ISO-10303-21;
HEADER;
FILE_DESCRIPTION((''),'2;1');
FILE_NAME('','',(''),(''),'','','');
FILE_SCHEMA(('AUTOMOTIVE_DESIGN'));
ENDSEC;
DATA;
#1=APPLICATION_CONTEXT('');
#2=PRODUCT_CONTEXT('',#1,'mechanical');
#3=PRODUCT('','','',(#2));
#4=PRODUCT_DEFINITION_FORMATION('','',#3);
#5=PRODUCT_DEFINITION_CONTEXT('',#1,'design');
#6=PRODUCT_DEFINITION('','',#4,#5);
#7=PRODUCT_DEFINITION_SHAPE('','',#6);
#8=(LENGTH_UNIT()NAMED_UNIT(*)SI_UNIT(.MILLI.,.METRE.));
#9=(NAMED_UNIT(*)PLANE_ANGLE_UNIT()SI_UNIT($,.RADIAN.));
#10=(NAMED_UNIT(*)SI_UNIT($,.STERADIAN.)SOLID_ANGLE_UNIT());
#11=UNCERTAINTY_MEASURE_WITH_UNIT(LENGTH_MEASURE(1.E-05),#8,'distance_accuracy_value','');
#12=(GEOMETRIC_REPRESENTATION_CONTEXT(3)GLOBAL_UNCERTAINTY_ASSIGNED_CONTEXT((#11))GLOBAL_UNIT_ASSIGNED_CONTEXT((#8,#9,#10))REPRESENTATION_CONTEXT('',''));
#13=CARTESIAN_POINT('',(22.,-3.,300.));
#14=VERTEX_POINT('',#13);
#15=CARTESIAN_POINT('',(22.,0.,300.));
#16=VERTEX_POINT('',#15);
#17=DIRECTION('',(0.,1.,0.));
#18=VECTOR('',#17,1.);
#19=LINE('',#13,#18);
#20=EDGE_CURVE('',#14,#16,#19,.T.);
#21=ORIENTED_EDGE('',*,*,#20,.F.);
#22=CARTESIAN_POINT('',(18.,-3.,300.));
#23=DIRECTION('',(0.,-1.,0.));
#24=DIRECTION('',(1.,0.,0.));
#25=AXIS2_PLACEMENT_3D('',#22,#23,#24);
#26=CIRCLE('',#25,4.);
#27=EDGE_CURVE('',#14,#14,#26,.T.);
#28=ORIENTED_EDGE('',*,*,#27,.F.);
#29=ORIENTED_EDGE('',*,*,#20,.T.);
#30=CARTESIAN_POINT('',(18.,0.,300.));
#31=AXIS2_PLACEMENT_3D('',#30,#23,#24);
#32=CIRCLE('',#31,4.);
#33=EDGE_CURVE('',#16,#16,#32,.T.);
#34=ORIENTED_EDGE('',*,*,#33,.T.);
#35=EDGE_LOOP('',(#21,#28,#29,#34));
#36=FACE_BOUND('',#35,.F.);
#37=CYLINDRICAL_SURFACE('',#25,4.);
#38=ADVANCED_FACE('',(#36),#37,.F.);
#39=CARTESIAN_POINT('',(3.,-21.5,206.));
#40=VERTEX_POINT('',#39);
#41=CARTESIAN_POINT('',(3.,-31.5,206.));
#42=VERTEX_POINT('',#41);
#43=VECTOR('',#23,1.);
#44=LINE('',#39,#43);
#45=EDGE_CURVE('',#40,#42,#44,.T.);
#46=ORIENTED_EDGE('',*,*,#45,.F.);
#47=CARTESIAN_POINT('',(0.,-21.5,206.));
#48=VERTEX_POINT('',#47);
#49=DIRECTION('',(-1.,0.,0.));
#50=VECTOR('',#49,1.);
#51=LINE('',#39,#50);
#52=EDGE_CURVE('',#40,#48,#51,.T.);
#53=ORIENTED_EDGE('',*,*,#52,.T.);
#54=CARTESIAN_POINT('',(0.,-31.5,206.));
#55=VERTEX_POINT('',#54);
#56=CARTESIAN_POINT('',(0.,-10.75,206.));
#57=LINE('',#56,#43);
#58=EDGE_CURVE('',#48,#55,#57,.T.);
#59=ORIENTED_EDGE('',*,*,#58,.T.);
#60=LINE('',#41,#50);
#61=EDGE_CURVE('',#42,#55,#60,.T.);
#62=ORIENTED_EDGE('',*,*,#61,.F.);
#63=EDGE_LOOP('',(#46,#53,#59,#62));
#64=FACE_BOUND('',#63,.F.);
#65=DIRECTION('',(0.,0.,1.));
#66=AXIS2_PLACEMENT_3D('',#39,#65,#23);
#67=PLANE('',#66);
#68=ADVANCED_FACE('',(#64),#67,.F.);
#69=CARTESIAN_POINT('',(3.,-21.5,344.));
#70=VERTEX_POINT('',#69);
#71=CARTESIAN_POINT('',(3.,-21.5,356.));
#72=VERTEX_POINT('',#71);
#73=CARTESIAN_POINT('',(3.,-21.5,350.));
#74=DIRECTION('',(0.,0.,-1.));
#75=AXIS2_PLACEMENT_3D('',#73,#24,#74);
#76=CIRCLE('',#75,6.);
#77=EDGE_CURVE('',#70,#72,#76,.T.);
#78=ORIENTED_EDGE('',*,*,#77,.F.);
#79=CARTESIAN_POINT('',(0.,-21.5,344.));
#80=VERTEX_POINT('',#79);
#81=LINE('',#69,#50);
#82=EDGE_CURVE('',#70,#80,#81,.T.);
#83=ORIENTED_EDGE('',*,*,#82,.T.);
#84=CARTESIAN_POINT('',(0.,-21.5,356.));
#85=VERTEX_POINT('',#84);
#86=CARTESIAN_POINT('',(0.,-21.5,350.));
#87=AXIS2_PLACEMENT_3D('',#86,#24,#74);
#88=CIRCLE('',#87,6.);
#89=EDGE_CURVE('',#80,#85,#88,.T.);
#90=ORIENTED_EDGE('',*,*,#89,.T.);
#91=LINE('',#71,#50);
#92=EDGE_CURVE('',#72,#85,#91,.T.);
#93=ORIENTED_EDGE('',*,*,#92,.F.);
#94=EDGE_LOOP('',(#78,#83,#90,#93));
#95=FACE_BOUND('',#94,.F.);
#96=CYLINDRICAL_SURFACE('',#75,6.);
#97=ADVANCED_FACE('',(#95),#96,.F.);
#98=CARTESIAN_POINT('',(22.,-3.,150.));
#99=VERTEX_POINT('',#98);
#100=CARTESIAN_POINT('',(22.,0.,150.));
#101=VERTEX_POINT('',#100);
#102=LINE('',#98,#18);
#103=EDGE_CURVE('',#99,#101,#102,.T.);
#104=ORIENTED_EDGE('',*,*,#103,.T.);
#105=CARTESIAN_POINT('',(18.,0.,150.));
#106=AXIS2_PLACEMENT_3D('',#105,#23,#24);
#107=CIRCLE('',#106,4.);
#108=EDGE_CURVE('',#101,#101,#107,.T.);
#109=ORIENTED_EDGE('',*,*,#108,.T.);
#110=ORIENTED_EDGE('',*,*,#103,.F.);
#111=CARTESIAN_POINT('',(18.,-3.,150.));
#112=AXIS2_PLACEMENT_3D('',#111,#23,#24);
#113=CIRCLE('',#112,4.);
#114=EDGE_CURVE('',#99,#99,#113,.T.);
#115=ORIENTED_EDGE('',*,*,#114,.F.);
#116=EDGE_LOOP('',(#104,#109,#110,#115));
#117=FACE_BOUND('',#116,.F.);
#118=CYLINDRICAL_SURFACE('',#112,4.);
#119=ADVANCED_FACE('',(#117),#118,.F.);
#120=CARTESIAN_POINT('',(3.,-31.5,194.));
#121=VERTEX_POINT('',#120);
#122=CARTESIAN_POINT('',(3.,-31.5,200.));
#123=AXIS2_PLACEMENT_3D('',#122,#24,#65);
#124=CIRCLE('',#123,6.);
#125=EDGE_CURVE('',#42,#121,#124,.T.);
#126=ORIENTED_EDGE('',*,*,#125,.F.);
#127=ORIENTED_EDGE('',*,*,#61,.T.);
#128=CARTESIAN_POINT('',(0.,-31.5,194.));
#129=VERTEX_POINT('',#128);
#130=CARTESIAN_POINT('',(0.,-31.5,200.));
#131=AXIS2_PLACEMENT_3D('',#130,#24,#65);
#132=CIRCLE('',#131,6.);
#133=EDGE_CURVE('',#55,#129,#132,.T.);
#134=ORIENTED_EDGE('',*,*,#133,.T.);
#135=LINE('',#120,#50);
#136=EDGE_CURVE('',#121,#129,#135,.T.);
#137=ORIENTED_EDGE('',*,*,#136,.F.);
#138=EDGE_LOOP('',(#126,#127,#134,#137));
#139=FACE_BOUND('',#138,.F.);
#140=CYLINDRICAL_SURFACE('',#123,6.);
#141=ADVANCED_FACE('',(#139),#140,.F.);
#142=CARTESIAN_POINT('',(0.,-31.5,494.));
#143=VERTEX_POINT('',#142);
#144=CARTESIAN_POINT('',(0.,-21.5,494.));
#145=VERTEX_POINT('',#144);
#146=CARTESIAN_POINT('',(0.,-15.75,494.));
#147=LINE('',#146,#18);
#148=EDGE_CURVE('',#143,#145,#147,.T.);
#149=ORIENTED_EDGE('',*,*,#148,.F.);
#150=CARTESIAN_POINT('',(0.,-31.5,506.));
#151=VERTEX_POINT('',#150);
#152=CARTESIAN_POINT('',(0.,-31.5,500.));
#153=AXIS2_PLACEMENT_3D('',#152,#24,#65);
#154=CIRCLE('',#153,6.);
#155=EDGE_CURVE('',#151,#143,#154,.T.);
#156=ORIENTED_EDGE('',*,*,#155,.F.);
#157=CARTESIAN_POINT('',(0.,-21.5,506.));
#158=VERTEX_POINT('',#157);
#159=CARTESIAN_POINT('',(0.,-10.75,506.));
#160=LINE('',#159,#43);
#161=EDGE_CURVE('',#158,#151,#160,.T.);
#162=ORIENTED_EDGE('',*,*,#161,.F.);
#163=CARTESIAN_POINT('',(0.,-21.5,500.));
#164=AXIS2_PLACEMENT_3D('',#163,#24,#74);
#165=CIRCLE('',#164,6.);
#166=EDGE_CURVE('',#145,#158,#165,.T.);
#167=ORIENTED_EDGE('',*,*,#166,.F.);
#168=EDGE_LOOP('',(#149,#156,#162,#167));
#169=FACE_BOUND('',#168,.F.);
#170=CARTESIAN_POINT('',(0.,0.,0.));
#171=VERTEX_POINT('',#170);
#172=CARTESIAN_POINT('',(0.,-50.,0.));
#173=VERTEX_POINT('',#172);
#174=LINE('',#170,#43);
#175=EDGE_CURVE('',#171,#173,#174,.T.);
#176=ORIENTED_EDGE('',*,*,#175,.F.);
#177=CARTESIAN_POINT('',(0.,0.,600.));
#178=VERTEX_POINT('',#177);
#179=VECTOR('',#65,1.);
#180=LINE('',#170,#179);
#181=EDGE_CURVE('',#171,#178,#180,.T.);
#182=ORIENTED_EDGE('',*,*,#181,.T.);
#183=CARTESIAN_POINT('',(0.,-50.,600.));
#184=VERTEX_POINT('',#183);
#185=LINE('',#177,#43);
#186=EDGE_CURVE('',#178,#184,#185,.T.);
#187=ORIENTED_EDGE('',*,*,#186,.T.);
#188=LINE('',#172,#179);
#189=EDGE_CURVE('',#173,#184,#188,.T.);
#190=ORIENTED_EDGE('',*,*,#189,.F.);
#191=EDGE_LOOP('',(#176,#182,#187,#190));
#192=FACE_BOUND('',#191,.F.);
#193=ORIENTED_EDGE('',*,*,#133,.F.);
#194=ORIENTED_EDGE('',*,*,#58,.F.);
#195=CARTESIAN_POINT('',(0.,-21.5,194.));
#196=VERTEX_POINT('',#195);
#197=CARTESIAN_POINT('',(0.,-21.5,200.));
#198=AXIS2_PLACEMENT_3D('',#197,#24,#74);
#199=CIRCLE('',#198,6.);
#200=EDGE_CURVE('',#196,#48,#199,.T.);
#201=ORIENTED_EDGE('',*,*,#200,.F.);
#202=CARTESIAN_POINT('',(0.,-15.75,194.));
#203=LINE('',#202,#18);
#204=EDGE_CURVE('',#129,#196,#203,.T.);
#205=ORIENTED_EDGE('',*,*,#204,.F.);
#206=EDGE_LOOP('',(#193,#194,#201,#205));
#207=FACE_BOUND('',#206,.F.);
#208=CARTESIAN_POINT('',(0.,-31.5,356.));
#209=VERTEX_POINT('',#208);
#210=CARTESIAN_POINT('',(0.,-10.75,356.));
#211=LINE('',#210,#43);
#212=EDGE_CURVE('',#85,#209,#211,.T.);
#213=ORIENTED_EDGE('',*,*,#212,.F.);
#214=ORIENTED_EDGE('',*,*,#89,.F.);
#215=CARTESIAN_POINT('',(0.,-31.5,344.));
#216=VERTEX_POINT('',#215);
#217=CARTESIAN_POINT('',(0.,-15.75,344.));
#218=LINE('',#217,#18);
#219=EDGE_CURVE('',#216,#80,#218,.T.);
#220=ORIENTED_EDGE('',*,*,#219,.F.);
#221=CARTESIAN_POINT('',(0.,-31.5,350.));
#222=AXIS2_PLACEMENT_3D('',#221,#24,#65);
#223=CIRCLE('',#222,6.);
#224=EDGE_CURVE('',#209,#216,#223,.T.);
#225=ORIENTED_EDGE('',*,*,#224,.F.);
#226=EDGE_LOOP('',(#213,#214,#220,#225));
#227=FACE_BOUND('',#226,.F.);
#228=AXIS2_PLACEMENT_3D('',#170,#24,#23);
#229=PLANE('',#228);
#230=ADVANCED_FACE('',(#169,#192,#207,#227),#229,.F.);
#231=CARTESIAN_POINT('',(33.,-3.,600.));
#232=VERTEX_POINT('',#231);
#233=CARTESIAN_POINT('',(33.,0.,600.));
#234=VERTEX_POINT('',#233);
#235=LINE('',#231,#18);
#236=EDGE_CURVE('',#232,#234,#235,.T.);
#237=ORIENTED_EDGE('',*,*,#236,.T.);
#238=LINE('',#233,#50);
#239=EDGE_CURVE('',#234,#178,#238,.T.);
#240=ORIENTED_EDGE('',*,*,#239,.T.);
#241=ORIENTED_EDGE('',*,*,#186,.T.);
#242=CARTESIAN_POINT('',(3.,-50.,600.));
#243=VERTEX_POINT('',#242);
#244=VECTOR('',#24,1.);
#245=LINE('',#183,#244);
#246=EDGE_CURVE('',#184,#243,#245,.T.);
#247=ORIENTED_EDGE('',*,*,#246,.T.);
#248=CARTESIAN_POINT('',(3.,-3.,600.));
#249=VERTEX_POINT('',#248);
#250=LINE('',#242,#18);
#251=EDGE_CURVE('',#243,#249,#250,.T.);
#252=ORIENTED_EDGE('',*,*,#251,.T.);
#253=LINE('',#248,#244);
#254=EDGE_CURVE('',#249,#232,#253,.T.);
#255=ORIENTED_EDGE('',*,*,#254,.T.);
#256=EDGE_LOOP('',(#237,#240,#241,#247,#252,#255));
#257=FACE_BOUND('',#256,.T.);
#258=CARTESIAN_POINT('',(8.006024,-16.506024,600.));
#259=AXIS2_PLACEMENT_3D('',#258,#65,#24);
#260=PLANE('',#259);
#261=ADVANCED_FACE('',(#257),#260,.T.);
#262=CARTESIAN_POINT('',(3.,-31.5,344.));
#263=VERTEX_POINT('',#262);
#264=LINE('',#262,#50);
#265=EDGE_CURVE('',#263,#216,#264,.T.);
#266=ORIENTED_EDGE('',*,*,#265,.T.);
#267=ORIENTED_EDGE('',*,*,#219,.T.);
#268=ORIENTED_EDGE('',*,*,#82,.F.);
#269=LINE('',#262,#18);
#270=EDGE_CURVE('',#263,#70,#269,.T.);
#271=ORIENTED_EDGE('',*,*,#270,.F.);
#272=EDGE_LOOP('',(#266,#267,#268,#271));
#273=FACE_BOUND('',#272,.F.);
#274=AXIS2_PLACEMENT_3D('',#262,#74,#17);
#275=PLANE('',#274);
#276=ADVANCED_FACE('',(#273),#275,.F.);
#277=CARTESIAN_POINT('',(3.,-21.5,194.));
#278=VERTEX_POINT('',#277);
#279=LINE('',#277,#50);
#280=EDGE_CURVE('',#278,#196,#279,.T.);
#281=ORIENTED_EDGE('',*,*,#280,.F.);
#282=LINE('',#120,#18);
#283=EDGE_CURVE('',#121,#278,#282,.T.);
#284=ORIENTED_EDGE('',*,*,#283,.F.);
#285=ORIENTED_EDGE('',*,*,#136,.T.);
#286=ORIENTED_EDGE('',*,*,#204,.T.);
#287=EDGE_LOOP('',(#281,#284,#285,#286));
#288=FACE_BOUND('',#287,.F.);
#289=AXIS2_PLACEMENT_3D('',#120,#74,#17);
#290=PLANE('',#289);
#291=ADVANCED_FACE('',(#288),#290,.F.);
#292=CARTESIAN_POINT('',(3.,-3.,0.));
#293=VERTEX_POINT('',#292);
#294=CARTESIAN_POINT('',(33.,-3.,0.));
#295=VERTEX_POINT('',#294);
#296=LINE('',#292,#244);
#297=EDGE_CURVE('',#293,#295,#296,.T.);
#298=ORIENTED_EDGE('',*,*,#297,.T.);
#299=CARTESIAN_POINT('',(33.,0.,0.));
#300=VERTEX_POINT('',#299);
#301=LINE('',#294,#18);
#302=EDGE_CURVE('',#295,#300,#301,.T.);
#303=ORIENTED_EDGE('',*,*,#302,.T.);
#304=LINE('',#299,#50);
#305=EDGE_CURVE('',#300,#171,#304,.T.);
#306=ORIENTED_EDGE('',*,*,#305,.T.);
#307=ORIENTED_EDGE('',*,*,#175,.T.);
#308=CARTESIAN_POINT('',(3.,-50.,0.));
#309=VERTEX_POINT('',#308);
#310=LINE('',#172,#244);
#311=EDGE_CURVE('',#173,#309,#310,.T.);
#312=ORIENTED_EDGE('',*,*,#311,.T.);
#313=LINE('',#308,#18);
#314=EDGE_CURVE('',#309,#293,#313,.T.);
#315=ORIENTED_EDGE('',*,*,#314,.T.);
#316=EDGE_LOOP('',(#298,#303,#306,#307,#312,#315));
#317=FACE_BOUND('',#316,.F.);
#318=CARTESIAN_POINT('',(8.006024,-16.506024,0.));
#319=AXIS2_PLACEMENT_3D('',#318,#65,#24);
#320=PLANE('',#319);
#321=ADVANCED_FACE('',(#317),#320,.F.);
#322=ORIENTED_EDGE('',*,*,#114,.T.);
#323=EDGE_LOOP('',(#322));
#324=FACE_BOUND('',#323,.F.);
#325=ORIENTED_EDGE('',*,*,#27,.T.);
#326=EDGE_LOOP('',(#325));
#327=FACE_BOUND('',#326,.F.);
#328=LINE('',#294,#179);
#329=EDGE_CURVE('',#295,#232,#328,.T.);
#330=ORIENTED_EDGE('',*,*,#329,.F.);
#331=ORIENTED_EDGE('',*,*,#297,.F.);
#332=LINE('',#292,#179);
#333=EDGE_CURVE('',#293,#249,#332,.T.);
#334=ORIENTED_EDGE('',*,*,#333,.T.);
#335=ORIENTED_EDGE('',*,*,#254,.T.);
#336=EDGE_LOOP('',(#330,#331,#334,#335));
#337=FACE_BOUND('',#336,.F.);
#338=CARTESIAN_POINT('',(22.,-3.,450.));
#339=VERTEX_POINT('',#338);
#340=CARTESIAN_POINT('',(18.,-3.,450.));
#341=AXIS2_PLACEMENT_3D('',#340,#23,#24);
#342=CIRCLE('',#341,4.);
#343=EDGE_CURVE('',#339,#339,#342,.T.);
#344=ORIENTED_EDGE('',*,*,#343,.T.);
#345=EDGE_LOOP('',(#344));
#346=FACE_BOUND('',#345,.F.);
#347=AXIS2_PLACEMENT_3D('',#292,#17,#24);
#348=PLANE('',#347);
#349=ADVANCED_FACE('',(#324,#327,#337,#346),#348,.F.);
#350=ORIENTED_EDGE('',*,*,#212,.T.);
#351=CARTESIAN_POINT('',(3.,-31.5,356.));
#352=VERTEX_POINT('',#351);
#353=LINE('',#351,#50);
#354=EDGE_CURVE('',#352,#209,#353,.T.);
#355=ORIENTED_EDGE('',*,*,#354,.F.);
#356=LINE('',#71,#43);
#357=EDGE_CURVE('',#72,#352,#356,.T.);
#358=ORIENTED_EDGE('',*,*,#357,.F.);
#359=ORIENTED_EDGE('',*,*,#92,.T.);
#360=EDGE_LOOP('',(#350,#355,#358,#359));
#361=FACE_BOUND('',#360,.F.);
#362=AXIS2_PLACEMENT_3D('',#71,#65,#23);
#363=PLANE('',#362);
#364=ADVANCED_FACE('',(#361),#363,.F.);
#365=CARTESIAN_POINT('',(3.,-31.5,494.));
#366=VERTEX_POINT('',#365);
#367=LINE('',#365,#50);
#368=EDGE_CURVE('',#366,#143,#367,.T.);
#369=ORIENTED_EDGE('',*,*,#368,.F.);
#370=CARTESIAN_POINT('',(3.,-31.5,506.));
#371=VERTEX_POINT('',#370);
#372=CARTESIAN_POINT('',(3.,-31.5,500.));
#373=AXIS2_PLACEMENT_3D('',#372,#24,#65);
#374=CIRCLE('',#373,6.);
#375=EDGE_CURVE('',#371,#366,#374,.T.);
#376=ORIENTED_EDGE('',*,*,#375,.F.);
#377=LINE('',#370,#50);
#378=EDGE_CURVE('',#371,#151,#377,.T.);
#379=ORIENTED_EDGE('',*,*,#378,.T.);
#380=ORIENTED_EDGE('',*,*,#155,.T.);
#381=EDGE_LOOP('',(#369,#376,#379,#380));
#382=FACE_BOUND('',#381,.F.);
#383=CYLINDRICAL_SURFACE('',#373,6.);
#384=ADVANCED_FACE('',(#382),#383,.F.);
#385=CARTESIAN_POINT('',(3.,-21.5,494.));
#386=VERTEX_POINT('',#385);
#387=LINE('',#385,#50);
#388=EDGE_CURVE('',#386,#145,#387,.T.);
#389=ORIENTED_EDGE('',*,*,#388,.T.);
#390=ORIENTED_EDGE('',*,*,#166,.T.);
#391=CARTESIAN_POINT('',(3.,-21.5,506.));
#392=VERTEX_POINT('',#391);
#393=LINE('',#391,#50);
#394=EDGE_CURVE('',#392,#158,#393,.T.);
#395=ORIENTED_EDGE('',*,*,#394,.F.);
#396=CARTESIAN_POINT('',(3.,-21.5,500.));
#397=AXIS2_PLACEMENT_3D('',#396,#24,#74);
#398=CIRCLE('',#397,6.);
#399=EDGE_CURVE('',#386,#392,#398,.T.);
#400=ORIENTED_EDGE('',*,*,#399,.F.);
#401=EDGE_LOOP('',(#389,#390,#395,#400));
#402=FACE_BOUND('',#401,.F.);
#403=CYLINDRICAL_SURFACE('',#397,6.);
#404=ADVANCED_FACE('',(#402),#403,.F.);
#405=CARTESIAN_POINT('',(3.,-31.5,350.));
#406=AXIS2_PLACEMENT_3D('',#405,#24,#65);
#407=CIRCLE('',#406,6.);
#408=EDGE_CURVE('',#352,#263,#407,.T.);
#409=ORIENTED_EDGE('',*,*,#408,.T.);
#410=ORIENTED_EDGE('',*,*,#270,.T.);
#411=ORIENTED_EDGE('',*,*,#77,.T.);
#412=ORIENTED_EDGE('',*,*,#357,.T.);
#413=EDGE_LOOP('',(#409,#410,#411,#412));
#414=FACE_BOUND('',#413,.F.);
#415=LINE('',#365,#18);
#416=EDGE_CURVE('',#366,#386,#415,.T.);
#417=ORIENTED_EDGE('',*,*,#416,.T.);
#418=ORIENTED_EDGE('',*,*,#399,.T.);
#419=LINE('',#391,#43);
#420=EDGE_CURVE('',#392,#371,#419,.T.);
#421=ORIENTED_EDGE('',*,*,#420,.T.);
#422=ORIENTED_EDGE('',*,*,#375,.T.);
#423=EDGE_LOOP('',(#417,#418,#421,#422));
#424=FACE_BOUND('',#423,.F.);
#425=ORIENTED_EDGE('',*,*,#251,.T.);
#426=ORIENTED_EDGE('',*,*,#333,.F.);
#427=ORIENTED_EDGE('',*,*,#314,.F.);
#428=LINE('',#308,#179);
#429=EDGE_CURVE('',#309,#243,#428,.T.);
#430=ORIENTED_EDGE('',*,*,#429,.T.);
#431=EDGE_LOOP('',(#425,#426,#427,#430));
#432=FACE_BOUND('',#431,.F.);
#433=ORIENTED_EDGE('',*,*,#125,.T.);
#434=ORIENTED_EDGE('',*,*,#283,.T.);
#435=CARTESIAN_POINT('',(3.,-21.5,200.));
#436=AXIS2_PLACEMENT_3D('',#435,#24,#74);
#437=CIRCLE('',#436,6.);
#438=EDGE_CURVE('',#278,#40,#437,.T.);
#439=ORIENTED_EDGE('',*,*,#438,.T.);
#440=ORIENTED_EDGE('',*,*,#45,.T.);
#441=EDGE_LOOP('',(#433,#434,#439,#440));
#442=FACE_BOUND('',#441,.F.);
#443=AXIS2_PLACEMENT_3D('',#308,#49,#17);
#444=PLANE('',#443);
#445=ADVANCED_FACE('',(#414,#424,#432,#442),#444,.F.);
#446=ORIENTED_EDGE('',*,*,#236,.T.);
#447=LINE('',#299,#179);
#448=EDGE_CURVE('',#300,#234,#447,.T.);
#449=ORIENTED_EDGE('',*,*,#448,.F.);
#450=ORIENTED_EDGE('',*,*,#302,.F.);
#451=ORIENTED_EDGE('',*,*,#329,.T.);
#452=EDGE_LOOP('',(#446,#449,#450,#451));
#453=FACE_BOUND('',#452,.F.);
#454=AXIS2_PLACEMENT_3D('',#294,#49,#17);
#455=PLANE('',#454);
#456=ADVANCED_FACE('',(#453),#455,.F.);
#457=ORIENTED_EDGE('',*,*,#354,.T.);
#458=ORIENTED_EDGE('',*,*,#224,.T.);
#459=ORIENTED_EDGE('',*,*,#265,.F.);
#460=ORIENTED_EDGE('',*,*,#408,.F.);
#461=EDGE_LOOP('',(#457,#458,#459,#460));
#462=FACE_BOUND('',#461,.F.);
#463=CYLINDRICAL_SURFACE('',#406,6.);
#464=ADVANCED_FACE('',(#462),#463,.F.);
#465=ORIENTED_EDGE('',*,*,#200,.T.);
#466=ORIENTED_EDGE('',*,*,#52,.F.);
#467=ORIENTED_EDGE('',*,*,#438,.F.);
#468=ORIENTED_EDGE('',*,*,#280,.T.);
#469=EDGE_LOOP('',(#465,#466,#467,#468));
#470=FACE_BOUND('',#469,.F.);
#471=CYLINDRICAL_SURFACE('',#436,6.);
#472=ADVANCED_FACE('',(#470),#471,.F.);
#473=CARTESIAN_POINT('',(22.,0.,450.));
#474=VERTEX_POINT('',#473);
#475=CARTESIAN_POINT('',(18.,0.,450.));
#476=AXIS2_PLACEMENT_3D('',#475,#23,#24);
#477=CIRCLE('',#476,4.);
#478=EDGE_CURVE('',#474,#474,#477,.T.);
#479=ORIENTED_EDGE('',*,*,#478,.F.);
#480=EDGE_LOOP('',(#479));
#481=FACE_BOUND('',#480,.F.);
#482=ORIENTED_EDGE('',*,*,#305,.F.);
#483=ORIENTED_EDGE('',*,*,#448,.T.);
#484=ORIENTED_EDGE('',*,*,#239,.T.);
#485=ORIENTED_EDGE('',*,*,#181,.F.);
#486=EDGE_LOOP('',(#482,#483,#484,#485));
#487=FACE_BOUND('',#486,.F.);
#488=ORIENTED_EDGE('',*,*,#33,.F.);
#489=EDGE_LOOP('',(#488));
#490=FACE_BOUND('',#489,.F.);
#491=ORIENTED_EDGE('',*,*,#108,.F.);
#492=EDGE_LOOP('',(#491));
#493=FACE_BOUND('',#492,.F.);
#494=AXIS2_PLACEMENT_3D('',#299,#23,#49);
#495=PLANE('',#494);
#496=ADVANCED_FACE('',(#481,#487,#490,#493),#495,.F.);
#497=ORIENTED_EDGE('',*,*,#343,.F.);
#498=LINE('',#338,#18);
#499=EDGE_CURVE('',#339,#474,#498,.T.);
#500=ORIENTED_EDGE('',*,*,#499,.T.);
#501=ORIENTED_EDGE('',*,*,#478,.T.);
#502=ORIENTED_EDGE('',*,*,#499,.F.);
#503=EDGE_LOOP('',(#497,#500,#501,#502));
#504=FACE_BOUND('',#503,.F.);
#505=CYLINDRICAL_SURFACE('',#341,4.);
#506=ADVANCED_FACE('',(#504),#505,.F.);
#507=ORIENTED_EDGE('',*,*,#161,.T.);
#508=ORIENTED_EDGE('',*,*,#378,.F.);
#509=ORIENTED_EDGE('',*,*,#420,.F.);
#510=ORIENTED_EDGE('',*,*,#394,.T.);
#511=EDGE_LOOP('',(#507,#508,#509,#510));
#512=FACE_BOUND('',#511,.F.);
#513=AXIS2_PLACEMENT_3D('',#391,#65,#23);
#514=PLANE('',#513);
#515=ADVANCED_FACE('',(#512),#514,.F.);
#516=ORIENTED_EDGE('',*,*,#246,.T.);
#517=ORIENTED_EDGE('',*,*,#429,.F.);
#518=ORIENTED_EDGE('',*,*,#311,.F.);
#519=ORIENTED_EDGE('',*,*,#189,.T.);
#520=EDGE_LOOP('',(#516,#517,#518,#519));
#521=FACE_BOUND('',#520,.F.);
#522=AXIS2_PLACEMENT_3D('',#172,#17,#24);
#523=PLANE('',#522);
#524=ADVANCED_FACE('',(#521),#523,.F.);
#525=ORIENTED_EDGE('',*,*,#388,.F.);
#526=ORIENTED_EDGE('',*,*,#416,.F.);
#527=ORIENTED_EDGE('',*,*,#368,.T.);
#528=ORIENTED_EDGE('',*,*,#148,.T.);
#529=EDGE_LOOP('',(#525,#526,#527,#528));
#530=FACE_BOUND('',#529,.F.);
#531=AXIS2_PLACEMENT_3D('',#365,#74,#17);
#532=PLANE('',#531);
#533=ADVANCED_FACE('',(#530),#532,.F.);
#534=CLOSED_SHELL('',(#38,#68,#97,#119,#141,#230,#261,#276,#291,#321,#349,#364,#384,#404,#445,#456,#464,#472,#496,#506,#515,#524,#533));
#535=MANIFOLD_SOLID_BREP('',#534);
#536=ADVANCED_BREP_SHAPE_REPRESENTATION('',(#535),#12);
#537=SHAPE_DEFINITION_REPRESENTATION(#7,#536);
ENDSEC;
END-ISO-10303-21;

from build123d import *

# Parameters (mm, degrees)
F1_DEPTH = 600
F2_R     = 4
F3_DEPTH = 3.001
F5_DEPTH = 3.001


with BuildPart() as f1:
    # F0 (on Top) → F1 (new body)
    with BuildSketch(Plane.XY):
        Polygon((33, 0), (0, 0), (0, -50), (3, -50), (3, -3), (33, -3), align=None)
    extrude(amount=F1_DEPTH)

    # F2 (on face) → F3 (cut, through all)
    with BuildSketch(Plane.XZ.offset(3)):
        with Locations((18, 150)):
            Circle(F2_R)
        with Locations((18, 300)):
            Circle(F2_R)
        with Locations((18, 450)):
            Circle(F2_R)
    extrude(amount=-F3_DEPTH, mode=Mode.SUBTRACT)

    # F4 (on face) → F5 (cut, through all)
    with BuildSketch(Plane.YZ.offset(3)):
        with BuildLine():
            Line((-21.5, 506), (-31.5, 506))
            ThreePointArc((-31.5, 506), (-37.5, 500), (-31.5, 494))
            Line((-31.5, 494), (-21.5, 494))
            ThreePointArc((-21.5, 494), (-15.5, 500), (-21.5, 506))
        make_face()
        with BuildLine():
            Line((-21.5, 356), (-31.5, 356))
            ThreePointArc((-31.5, 356), (-37.5, 350), (-31.5, 344))
            Line((-31.5, 344), (-21.5, 344))
            ThreePointArc((-21.5, 344), (-15.5, 350), (-21.5, 356))
        make_face()
        with BuildLine():
            Line((-21.5, 206), (-31.5, 206))
            ThreePointArc((-31.5, 206), (-37.5, 200), (-31.5, 194))
            Line((-31.5, 194), (-21.5, 194))
            ThreePointArc((-21.5, 194), (-15.5, 200), (-21.5, 206))
        make_face()
    extrude(amount=-F5_DEPTH, mode=Mode.SUBTRACT)


solid = f1.part
